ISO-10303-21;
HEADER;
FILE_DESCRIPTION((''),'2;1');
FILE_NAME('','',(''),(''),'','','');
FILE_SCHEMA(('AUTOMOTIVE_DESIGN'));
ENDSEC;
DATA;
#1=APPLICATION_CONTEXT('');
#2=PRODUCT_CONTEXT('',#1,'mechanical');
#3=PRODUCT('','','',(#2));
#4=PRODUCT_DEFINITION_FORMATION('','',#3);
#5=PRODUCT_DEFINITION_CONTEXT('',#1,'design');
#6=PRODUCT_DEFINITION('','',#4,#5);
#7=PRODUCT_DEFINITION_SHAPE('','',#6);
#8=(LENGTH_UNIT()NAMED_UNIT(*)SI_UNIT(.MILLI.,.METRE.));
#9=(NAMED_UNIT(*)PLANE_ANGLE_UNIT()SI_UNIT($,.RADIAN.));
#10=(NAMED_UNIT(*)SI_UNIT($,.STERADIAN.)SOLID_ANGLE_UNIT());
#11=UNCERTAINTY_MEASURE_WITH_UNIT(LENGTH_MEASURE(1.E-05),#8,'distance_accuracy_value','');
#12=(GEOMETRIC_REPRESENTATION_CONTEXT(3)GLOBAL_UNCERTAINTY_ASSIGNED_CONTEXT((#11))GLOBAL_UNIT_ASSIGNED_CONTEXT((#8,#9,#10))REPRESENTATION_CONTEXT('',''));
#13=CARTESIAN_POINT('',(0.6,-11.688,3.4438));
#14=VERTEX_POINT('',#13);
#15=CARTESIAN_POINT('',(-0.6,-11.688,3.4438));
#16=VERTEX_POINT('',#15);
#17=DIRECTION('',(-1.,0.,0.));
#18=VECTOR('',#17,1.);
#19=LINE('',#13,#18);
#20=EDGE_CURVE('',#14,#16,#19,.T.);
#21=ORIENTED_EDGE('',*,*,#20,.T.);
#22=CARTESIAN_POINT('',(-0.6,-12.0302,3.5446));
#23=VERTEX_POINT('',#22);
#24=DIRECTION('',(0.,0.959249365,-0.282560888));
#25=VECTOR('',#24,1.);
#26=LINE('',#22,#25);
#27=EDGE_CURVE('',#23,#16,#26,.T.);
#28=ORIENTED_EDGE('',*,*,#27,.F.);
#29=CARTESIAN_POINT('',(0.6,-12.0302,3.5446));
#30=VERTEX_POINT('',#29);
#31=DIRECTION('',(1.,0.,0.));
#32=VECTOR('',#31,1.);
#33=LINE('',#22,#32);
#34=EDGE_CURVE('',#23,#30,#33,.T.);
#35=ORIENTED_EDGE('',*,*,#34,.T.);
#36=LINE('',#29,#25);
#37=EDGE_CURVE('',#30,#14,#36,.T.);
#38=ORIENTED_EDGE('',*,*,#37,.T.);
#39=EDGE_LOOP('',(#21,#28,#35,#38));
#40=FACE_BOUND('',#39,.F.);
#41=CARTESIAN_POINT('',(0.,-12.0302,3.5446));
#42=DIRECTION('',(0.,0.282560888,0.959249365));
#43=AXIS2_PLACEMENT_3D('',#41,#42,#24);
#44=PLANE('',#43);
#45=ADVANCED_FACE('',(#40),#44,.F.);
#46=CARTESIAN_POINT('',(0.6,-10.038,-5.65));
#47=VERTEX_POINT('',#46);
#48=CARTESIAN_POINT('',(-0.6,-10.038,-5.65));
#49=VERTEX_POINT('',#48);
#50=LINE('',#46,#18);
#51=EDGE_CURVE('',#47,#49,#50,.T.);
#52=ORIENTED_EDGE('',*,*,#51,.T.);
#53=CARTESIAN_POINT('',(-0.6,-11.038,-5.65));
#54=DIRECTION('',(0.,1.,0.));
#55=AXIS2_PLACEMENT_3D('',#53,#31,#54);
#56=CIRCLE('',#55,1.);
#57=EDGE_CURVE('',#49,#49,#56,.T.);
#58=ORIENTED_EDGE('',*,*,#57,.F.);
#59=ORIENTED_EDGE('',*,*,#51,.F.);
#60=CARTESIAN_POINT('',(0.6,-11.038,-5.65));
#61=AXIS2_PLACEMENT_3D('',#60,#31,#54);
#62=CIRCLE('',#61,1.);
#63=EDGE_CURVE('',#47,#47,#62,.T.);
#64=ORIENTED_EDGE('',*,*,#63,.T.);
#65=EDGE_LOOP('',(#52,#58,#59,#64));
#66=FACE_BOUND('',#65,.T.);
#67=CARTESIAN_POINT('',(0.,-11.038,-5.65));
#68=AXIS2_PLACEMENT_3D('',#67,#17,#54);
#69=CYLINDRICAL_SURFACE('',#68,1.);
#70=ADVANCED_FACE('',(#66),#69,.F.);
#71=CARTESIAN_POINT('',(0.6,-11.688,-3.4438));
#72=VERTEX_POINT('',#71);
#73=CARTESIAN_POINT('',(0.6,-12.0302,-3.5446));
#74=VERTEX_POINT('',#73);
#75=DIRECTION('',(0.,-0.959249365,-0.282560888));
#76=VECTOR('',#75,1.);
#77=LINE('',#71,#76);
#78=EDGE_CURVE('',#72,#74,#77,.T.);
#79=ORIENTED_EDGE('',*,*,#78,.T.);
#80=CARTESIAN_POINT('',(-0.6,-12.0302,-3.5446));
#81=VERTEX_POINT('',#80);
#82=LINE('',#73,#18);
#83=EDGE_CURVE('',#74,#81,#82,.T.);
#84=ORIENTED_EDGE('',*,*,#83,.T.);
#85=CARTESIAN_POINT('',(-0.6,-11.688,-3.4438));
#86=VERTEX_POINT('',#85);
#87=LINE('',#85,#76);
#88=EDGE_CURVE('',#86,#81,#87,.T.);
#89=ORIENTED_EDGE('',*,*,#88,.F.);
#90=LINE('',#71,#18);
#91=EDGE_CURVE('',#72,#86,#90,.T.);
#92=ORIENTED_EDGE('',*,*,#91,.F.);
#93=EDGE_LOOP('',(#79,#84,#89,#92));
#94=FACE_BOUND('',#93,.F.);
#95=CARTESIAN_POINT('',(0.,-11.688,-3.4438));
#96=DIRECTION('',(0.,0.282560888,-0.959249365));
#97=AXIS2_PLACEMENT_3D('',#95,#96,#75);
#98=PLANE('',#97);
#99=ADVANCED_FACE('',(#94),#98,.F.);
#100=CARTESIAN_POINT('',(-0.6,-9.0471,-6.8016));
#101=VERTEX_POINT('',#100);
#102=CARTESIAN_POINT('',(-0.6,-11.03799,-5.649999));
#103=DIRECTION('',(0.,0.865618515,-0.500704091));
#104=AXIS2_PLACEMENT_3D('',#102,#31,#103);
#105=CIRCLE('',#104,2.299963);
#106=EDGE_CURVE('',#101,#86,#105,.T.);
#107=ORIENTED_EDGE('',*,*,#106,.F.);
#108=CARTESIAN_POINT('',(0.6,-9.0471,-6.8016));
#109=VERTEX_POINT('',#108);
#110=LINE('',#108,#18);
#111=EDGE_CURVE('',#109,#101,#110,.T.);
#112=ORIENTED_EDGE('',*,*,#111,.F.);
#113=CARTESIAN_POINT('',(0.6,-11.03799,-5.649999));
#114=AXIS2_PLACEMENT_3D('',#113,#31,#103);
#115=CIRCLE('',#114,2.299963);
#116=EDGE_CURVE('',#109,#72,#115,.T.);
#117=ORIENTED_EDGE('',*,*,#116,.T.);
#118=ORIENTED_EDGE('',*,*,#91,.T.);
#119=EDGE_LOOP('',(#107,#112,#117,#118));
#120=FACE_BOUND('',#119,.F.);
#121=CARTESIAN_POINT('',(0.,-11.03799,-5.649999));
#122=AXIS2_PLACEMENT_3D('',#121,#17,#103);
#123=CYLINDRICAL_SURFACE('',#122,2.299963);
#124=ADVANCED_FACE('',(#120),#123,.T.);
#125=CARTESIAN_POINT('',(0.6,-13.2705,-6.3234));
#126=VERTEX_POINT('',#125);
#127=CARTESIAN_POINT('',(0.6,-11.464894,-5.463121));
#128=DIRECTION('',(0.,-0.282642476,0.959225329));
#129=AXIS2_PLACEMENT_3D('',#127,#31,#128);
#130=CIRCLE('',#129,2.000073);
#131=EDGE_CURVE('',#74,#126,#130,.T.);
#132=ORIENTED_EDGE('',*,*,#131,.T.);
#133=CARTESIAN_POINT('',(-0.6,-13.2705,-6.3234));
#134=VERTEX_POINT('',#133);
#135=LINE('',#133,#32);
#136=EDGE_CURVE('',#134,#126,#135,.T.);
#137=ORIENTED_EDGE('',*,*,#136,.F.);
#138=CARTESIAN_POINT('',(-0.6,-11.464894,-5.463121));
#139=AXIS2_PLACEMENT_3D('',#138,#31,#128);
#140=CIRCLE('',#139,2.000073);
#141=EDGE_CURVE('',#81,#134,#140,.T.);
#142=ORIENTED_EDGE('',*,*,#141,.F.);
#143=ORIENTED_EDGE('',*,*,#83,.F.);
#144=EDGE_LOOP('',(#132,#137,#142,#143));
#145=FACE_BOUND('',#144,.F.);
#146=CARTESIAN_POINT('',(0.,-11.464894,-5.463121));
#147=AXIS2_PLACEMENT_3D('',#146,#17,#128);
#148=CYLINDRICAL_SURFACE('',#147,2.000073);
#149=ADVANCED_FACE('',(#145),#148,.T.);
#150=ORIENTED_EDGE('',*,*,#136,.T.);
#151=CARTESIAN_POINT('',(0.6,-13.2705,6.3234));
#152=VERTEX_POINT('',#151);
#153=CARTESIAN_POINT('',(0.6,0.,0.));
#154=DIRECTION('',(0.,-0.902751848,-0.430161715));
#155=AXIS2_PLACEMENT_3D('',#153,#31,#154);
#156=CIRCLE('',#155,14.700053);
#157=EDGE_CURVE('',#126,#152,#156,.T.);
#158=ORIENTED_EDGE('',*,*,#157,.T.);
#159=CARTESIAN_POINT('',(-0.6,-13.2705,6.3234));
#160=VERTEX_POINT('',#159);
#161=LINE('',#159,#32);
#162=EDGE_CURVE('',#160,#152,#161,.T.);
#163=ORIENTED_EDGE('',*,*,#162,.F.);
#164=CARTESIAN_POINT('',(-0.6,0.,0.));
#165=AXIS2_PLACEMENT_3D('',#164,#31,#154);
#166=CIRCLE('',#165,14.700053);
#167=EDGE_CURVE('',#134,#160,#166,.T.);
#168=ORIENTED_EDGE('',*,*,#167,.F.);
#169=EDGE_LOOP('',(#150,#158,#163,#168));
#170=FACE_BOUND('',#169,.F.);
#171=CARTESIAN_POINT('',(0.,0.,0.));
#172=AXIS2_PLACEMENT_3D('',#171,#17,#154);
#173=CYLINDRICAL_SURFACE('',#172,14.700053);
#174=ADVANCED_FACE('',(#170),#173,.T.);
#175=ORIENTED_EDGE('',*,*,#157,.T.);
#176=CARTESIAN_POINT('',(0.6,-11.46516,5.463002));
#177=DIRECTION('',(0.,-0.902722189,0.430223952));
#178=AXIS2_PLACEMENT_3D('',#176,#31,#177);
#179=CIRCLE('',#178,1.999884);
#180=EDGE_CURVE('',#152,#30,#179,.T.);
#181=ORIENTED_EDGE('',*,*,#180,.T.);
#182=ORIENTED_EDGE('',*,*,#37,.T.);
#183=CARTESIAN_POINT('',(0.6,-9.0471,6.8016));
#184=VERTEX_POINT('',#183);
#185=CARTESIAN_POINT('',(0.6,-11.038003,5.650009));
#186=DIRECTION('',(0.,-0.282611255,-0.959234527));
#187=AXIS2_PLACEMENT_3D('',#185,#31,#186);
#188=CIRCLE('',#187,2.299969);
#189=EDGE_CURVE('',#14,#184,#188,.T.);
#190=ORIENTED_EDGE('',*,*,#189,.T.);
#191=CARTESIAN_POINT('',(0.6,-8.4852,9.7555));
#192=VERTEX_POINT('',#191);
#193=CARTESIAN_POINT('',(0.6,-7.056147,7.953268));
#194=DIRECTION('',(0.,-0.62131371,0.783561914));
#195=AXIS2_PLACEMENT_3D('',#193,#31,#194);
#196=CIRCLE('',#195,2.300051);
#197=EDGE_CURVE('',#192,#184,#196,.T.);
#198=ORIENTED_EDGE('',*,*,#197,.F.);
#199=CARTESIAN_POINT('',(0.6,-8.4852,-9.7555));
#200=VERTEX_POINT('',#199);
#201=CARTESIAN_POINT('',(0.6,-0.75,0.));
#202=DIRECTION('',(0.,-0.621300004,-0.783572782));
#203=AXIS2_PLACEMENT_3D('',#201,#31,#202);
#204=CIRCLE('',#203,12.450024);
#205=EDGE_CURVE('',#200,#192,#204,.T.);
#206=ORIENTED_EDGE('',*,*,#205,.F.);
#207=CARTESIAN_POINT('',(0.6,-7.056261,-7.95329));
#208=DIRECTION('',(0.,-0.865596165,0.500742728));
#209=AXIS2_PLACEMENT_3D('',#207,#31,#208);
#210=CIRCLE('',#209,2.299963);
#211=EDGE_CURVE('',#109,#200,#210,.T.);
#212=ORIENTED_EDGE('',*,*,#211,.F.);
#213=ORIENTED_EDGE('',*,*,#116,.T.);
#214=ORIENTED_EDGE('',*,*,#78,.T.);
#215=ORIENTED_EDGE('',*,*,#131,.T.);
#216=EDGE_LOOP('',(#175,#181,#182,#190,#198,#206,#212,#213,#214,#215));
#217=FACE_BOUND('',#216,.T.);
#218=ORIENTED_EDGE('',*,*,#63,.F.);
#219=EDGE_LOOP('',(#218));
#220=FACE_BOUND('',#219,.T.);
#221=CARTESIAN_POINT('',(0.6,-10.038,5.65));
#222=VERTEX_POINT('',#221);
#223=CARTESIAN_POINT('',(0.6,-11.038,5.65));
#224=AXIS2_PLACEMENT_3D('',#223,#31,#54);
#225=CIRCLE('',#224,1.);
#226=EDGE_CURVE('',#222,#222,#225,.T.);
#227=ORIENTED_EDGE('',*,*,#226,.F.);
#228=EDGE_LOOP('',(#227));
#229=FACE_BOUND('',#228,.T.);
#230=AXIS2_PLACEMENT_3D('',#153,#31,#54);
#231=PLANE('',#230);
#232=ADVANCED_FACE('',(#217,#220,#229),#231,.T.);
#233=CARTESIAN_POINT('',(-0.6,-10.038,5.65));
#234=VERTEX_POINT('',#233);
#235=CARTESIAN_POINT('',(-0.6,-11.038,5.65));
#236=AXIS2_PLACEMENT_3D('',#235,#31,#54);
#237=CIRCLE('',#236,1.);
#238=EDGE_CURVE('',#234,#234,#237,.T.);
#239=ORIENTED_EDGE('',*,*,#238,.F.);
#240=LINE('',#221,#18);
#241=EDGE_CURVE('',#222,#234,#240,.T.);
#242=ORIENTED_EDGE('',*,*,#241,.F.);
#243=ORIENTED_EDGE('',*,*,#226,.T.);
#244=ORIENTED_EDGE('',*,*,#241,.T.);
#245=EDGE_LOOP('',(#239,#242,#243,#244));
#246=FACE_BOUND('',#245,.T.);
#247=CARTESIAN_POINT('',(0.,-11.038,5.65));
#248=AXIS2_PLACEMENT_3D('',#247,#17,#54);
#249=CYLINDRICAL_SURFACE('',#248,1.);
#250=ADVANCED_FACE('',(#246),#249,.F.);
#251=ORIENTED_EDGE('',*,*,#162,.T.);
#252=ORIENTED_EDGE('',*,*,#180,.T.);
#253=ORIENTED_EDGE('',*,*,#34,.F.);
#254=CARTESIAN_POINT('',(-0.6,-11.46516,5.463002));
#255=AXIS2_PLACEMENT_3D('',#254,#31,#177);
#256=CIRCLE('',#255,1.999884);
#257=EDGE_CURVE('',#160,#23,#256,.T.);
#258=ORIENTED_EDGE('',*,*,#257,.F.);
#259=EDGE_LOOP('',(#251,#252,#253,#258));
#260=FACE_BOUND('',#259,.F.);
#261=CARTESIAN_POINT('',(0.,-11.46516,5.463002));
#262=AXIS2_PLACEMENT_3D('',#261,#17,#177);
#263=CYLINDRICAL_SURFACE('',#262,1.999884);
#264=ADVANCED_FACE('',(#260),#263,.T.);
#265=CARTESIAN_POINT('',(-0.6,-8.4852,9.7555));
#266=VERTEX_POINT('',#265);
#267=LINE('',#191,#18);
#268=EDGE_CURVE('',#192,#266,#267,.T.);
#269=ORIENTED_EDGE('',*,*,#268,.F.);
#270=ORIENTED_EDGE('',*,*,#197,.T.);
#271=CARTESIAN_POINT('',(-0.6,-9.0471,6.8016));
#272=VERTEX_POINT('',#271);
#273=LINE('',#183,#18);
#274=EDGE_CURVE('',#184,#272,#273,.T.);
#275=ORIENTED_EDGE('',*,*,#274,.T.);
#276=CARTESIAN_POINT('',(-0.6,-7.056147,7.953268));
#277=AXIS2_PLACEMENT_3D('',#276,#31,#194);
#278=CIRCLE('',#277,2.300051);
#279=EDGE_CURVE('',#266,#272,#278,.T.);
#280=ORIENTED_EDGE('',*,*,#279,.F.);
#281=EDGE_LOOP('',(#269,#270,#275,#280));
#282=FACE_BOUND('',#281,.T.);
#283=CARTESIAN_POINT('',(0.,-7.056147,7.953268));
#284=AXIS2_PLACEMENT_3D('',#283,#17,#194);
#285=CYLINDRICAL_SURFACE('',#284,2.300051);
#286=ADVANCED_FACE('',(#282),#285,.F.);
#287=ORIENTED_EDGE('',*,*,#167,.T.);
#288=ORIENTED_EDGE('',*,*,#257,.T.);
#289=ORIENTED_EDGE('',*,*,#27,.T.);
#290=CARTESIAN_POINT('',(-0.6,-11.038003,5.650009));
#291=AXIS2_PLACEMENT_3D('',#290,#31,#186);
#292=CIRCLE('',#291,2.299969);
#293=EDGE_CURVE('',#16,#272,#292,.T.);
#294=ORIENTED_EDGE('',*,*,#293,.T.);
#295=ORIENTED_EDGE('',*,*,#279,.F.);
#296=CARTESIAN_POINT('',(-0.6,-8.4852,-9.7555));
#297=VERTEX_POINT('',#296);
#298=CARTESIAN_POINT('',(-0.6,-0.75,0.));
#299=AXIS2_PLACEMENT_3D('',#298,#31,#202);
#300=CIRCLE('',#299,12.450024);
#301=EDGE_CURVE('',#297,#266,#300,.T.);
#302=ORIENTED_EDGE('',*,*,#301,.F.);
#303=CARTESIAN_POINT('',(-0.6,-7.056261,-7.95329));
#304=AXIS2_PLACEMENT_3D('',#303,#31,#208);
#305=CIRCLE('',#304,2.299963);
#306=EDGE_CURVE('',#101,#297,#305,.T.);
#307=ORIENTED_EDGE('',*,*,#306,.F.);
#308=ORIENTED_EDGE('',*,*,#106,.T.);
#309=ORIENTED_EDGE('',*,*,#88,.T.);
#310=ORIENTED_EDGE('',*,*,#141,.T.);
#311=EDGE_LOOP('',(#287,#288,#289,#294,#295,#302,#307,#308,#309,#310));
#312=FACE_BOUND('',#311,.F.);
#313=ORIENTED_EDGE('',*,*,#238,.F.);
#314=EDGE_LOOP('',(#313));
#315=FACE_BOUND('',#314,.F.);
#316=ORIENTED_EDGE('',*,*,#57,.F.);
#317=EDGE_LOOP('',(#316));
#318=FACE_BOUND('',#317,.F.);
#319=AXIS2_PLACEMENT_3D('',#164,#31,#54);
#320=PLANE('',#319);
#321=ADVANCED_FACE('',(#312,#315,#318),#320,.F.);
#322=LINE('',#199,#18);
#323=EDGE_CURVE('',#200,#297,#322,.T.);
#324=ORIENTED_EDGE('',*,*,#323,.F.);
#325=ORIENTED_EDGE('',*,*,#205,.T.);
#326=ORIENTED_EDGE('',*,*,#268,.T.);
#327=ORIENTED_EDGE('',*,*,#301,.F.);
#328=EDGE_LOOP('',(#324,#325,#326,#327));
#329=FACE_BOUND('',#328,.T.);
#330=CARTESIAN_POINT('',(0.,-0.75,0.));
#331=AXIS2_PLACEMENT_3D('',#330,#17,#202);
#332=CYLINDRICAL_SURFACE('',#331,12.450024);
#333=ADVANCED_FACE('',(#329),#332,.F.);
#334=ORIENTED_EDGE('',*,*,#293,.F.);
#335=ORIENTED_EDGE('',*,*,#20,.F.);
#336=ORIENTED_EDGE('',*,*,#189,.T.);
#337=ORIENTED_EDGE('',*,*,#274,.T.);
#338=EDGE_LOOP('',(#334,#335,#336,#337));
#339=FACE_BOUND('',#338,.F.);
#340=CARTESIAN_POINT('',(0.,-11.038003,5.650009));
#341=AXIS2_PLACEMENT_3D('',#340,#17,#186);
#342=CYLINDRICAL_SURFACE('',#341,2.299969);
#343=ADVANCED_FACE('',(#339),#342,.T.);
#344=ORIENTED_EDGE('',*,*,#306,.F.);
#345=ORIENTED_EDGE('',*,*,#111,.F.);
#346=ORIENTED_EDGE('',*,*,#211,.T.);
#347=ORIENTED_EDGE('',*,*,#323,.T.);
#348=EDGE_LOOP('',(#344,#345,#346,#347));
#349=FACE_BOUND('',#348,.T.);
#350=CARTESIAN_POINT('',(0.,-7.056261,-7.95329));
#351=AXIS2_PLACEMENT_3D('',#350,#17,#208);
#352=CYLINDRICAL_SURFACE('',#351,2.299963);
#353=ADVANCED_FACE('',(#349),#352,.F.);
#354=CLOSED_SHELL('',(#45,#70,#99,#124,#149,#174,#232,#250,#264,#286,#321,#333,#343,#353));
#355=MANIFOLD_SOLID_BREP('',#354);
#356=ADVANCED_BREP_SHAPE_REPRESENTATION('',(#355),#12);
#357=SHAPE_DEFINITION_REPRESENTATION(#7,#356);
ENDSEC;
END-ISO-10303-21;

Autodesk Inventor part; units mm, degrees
sketch "Sketch_3" plane through (0, 0, 0) normal (1, 0, 0) x (0, 1, 0)
  arc A0 (-13.2705, -6.3234) -> (-13.2705, 6.3234) centre (0, 0) ccw
  arc A1 (-13.2705, 6.3234) -> (-12.0302, 3.5446) centre (-11.465, 5.463) ccw
  line L0 (-12.0302, 3.5446) -> (-11.688, 3.4438)
  arc A2 (-11.688, 3.4438) -> (-9.0471, 6.8016) centre (-11.038, 5.65) ccw
  arc A3 (-8.4852, 9.7555) -> (-9.0471, 6.8016) centre (-7.0562, 7.9533) ccw
  arc A4 (-8.4852, -9.7555) -> (-8.4852, 9.7555) centre (-0.75, 0) ccw
  arc A5 (-9.0471, -6.8016) -> (-8.4852, -9.7555) centre (-7.0562, -7.9533) ccw
  arc A6 (-9.0471, -6.8016) -> (-11.688, -3.4438) centre (-11.038, -5.65) ccw
  line L1 (-11.688, -3.4438) -> (-12.0302, -3.5446)
  arc A7 (-12.0302, -3.5446) -> (-13.2705, -6.3234) centre (-11.465, -5.463) ccw
  circle A8 centre (-11.038, -5.65) radius 1
  circle A9 centre (-11.038, 5.65) radius 1
extrude "Extrusion1" add sketch "Sketch_3" along normal mid plane 1.2
ref_plane "rr_XY" through (-0.6, 0, 0) normal (1, 0, 0) x (0, 0, -1)
ref_plane "rr_YZ" through (-0.6, 0, 0) normal (0, 0, -1) x (0, 1, 0)
ref_plane "rr_ZX" through (-0.6, 0, 0) normal (0, 1, 0) x (1, 0, 0)
properties part number "RTWN28"
